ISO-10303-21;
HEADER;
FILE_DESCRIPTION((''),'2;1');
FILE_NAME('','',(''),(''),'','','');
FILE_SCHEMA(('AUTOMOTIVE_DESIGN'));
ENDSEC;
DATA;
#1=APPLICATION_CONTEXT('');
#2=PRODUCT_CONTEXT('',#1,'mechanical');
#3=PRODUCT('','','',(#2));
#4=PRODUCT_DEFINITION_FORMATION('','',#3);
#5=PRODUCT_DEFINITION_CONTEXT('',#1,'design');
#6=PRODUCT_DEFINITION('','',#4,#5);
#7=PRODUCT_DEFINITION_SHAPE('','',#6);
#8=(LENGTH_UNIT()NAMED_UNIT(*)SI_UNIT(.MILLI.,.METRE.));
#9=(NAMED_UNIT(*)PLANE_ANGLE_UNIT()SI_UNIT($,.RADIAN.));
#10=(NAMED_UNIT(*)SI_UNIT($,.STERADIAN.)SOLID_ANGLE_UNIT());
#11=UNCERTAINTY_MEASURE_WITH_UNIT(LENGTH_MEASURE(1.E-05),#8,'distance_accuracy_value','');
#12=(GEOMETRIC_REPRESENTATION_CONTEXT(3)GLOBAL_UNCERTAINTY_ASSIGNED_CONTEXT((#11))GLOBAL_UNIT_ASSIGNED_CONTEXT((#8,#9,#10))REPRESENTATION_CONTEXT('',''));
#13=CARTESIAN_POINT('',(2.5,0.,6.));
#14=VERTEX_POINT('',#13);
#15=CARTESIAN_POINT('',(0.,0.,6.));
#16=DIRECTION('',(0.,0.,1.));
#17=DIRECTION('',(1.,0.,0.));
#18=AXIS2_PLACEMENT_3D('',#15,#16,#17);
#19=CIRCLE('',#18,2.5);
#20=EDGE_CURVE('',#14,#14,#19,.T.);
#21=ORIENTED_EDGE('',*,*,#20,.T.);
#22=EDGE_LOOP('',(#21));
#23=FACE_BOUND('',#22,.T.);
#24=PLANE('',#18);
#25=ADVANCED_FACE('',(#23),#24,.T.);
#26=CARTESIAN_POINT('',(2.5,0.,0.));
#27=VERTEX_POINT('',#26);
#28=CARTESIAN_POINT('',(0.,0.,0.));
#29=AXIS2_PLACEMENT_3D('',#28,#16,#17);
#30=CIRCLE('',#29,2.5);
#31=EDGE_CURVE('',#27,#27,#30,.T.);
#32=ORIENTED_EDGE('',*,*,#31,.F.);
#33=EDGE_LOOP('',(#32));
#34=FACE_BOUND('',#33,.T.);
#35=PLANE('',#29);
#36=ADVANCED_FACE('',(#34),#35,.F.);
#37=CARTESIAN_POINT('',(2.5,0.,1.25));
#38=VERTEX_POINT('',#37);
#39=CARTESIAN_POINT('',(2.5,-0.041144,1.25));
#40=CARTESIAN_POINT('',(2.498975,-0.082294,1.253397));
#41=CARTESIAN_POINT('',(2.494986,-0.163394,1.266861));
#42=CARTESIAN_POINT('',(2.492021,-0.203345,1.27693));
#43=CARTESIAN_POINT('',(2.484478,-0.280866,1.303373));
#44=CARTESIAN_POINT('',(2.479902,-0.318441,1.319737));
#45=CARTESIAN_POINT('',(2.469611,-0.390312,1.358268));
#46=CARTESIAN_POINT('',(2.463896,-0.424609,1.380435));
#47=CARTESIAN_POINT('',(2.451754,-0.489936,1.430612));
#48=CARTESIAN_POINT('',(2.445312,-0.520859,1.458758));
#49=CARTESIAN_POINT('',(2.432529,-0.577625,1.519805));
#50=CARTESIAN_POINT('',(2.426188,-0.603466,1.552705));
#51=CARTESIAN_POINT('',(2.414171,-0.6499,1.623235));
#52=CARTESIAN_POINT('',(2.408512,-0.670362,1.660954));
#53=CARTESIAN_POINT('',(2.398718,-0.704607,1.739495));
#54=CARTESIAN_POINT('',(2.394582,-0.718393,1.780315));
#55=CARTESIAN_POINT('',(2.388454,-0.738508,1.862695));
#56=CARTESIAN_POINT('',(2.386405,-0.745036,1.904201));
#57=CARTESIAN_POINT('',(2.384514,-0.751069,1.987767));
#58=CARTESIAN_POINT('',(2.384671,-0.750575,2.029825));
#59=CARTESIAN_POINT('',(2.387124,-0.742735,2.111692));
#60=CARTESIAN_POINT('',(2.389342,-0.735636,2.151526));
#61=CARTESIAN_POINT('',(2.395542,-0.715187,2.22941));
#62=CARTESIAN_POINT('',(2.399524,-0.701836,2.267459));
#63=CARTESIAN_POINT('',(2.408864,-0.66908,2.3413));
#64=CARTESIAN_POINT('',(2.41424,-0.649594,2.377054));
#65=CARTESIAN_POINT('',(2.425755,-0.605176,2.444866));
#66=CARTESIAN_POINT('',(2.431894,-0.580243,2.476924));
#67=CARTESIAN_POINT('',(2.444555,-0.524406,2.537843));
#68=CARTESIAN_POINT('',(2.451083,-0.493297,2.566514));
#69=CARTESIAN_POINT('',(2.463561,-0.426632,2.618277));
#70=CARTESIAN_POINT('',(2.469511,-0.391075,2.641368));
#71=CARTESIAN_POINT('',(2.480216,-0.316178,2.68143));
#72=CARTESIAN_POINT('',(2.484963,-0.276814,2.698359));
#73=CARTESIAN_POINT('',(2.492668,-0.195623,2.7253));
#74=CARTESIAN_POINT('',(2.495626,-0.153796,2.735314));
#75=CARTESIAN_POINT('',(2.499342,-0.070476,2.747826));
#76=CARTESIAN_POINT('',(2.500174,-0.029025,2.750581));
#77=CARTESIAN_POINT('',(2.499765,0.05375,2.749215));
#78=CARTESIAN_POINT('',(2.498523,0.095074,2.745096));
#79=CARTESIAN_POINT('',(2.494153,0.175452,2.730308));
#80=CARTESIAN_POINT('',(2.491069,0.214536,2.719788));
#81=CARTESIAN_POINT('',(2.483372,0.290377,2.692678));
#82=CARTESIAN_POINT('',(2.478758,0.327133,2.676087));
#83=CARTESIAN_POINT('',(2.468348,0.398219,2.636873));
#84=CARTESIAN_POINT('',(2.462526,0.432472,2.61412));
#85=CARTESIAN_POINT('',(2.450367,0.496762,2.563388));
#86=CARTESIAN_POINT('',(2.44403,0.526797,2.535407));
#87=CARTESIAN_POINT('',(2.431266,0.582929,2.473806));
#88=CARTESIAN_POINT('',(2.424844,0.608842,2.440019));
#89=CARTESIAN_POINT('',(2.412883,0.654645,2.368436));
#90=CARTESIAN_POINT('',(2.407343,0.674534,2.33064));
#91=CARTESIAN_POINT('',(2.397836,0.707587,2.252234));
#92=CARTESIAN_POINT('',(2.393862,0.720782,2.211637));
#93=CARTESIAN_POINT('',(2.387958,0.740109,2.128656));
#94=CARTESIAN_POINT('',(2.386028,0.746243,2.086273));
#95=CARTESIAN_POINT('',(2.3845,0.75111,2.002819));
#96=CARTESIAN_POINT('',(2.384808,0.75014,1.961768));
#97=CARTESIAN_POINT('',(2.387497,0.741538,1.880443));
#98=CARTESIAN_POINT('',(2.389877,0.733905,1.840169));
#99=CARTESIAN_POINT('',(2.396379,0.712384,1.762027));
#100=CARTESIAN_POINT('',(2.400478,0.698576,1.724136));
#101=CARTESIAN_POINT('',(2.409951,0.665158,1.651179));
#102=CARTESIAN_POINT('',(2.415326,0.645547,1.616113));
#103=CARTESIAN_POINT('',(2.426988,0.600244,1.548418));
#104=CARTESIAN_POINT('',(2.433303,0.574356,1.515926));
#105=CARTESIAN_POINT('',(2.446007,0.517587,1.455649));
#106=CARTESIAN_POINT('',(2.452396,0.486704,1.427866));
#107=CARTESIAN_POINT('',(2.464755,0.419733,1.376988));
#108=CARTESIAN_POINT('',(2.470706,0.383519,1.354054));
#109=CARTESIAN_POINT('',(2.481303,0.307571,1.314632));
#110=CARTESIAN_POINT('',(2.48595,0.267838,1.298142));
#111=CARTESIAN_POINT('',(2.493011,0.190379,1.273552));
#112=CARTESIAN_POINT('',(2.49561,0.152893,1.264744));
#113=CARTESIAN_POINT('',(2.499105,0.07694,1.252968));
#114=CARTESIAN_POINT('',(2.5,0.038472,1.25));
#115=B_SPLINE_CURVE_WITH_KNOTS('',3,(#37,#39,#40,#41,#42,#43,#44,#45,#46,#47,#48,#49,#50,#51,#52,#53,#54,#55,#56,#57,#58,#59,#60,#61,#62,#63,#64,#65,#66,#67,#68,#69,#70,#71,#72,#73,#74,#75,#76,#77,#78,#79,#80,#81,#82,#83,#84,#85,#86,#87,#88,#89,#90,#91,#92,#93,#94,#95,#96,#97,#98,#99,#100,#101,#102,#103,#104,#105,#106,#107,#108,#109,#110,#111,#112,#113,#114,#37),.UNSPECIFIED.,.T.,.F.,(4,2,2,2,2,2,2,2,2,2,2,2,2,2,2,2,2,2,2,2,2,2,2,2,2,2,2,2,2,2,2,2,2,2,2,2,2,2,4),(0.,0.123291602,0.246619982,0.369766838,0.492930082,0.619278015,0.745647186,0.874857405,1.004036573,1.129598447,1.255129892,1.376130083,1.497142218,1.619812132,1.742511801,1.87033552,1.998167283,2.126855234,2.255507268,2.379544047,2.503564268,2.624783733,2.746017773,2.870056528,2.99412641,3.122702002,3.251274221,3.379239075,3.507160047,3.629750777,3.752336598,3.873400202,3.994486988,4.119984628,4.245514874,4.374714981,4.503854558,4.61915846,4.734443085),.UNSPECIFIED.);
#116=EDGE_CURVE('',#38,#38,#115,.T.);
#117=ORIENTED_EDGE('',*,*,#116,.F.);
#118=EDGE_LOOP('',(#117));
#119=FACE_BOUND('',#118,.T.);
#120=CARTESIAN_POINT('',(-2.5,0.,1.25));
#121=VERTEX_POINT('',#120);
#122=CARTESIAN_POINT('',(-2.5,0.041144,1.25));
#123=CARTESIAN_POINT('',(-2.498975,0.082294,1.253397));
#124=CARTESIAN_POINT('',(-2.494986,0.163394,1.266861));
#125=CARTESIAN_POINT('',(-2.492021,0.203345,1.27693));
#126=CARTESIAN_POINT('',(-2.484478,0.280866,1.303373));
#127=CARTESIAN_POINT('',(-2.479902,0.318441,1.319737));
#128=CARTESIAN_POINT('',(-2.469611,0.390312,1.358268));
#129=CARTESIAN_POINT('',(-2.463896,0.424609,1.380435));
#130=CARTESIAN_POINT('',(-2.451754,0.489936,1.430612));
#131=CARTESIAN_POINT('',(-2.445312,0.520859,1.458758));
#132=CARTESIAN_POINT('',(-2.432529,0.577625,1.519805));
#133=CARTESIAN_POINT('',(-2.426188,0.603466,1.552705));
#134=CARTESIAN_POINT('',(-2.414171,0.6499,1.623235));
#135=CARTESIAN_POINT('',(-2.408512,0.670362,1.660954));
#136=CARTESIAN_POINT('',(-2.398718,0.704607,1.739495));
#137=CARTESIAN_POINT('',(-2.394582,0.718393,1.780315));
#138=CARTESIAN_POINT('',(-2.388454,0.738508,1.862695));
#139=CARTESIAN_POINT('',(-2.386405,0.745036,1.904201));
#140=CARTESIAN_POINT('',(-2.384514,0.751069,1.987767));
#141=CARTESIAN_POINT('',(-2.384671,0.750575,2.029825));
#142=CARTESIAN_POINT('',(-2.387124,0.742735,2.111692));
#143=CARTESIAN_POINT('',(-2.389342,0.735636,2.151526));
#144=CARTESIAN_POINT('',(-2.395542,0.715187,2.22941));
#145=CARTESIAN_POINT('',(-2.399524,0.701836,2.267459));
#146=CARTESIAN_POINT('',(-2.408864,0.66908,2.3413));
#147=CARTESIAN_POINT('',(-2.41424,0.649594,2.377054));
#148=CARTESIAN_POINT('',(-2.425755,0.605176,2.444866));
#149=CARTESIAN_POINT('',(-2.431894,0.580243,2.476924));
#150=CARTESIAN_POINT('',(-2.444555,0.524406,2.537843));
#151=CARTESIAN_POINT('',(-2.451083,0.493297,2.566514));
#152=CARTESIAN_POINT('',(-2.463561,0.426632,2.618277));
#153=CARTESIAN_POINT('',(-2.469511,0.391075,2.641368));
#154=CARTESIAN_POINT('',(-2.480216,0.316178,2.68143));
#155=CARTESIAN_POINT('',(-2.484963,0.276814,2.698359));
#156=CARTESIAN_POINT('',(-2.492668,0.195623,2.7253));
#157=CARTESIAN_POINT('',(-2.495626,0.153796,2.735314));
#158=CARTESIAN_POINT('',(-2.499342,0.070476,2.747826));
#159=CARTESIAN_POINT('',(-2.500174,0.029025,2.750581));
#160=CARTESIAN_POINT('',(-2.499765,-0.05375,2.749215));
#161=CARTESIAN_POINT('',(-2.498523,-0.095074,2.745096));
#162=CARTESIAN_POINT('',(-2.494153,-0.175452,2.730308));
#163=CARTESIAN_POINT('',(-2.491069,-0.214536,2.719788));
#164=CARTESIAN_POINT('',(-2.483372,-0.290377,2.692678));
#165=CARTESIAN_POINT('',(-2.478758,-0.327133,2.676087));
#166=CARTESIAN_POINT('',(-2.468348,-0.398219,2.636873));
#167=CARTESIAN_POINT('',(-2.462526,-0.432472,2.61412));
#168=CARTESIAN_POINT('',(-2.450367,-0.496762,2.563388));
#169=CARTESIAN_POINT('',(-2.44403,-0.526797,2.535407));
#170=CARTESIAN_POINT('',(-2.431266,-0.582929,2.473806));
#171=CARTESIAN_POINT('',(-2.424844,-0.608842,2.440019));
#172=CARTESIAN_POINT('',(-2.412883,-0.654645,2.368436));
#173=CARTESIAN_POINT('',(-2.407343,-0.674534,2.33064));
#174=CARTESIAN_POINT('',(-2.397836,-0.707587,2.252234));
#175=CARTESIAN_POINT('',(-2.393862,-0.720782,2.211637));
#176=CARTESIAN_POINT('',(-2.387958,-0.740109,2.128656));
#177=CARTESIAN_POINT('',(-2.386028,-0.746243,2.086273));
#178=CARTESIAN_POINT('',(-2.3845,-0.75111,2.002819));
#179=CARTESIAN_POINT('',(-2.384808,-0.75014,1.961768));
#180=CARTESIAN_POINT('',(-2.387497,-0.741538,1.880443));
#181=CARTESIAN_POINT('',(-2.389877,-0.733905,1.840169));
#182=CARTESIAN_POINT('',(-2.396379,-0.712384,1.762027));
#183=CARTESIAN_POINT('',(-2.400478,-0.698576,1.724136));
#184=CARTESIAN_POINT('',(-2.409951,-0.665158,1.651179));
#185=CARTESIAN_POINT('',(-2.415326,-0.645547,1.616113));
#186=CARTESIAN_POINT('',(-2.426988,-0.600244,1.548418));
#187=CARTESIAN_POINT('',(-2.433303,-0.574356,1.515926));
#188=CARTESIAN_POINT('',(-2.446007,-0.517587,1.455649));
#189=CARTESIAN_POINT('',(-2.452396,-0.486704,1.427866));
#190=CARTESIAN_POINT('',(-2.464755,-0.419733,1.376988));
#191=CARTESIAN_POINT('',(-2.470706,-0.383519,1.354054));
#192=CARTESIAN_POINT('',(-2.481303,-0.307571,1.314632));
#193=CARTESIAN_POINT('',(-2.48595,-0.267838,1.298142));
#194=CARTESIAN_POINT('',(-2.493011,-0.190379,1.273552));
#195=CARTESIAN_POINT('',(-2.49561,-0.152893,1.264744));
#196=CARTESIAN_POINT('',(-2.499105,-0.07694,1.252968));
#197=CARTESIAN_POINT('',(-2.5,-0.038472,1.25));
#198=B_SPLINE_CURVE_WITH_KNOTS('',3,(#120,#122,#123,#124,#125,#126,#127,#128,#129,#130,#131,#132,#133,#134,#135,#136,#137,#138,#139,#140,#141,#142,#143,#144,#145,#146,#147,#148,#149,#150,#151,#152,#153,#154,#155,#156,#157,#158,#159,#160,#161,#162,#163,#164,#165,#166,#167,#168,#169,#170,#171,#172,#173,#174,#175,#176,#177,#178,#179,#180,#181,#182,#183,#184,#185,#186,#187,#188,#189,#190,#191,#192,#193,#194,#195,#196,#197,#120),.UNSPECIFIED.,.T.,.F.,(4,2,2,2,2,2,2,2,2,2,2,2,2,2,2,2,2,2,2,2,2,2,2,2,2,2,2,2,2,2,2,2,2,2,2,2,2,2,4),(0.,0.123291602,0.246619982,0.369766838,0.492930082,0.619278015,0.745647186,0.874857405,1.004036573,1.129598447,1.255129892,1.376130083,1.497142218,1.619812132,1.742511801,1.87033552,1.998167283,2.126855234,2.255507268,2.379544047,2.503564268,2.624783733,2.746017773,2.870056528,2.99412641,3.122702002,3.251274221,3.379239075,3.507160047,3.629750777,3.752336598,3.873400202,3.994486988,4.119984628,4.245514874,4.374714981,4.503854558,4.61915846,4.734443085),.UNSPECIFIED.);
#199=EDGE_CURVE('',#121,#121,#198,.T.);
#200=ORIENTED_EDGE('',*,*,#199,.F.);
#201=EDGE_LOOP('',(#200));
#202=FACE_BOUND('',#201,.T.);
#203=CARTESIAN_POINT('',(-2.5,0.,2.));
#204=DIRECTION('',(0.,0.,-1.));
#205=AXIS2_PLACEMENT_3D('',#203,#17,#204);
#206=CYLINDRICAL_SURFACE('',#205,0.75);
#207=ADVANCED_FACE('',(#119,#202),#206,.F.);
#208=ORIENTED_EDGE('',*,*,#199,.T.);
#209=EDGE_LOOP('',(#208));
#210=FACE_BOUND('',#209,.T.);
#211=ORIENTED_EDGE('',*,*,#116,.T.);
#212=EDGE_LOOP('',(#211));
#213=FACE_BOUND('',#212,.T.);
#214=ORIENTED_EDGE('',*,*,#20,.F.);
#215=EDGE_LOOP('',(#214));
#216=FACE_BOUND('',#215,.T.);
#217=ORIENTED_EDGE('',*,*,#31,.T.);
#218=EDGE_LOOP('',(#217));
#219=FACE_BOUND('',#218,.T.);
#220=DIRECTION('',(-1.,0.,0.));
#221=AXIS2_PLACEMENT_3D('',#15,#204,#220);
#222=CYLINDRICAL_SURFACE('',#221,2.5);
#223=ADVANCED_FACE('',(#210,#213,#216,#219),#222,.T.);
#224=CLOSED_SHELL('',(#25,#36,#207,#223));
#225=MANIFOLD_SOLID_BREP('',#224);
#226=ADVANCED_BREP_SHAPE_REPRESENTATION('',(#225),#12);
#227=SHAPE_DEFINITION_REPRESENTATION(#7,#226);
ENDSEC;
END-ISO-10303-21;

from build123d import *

# Parameters (mm, degrees)
SKETCH1_R               = 2.5
BOSS_EXTRUDE1_DEPTH     = 6
SKETCH2_R               = 0.75
CUT_EXTRUDE1_DEPTH      = 3.5
CUT_EXTRUDE1_DEPTH_BACK = 3.5


with BuildPart() as part:
    # Sketch1 → Boss-Extrude1 (new body)
    with BuildSketch(Plane.XY):
        Circle(SKETCH1_R)
    extrude(amount=BOSS_EXTRUDE1_DEPTH)

    # Sketch2 → Cut-Extrude1 (cut, two sides)
    with BuildSketch(Plane(origin=(0, 0, 0), x_dir=(0, 0, -1), z_dir=(1, 0, 0))) as cut_extrude1_sk:
        with Locations((-2, 0)):
            Circle(SKETCH2_R)
    extrude(amount=CUT_EXTRUDE1_DEPTH, mode=Mode.SUBTRACT)
    extrude(cut_extrude1_sk.sketch, amount=-CUT_EXTRUDE1_DEPTH_BACK, mode=Mode.SUBTRACT)


solid = part.part
